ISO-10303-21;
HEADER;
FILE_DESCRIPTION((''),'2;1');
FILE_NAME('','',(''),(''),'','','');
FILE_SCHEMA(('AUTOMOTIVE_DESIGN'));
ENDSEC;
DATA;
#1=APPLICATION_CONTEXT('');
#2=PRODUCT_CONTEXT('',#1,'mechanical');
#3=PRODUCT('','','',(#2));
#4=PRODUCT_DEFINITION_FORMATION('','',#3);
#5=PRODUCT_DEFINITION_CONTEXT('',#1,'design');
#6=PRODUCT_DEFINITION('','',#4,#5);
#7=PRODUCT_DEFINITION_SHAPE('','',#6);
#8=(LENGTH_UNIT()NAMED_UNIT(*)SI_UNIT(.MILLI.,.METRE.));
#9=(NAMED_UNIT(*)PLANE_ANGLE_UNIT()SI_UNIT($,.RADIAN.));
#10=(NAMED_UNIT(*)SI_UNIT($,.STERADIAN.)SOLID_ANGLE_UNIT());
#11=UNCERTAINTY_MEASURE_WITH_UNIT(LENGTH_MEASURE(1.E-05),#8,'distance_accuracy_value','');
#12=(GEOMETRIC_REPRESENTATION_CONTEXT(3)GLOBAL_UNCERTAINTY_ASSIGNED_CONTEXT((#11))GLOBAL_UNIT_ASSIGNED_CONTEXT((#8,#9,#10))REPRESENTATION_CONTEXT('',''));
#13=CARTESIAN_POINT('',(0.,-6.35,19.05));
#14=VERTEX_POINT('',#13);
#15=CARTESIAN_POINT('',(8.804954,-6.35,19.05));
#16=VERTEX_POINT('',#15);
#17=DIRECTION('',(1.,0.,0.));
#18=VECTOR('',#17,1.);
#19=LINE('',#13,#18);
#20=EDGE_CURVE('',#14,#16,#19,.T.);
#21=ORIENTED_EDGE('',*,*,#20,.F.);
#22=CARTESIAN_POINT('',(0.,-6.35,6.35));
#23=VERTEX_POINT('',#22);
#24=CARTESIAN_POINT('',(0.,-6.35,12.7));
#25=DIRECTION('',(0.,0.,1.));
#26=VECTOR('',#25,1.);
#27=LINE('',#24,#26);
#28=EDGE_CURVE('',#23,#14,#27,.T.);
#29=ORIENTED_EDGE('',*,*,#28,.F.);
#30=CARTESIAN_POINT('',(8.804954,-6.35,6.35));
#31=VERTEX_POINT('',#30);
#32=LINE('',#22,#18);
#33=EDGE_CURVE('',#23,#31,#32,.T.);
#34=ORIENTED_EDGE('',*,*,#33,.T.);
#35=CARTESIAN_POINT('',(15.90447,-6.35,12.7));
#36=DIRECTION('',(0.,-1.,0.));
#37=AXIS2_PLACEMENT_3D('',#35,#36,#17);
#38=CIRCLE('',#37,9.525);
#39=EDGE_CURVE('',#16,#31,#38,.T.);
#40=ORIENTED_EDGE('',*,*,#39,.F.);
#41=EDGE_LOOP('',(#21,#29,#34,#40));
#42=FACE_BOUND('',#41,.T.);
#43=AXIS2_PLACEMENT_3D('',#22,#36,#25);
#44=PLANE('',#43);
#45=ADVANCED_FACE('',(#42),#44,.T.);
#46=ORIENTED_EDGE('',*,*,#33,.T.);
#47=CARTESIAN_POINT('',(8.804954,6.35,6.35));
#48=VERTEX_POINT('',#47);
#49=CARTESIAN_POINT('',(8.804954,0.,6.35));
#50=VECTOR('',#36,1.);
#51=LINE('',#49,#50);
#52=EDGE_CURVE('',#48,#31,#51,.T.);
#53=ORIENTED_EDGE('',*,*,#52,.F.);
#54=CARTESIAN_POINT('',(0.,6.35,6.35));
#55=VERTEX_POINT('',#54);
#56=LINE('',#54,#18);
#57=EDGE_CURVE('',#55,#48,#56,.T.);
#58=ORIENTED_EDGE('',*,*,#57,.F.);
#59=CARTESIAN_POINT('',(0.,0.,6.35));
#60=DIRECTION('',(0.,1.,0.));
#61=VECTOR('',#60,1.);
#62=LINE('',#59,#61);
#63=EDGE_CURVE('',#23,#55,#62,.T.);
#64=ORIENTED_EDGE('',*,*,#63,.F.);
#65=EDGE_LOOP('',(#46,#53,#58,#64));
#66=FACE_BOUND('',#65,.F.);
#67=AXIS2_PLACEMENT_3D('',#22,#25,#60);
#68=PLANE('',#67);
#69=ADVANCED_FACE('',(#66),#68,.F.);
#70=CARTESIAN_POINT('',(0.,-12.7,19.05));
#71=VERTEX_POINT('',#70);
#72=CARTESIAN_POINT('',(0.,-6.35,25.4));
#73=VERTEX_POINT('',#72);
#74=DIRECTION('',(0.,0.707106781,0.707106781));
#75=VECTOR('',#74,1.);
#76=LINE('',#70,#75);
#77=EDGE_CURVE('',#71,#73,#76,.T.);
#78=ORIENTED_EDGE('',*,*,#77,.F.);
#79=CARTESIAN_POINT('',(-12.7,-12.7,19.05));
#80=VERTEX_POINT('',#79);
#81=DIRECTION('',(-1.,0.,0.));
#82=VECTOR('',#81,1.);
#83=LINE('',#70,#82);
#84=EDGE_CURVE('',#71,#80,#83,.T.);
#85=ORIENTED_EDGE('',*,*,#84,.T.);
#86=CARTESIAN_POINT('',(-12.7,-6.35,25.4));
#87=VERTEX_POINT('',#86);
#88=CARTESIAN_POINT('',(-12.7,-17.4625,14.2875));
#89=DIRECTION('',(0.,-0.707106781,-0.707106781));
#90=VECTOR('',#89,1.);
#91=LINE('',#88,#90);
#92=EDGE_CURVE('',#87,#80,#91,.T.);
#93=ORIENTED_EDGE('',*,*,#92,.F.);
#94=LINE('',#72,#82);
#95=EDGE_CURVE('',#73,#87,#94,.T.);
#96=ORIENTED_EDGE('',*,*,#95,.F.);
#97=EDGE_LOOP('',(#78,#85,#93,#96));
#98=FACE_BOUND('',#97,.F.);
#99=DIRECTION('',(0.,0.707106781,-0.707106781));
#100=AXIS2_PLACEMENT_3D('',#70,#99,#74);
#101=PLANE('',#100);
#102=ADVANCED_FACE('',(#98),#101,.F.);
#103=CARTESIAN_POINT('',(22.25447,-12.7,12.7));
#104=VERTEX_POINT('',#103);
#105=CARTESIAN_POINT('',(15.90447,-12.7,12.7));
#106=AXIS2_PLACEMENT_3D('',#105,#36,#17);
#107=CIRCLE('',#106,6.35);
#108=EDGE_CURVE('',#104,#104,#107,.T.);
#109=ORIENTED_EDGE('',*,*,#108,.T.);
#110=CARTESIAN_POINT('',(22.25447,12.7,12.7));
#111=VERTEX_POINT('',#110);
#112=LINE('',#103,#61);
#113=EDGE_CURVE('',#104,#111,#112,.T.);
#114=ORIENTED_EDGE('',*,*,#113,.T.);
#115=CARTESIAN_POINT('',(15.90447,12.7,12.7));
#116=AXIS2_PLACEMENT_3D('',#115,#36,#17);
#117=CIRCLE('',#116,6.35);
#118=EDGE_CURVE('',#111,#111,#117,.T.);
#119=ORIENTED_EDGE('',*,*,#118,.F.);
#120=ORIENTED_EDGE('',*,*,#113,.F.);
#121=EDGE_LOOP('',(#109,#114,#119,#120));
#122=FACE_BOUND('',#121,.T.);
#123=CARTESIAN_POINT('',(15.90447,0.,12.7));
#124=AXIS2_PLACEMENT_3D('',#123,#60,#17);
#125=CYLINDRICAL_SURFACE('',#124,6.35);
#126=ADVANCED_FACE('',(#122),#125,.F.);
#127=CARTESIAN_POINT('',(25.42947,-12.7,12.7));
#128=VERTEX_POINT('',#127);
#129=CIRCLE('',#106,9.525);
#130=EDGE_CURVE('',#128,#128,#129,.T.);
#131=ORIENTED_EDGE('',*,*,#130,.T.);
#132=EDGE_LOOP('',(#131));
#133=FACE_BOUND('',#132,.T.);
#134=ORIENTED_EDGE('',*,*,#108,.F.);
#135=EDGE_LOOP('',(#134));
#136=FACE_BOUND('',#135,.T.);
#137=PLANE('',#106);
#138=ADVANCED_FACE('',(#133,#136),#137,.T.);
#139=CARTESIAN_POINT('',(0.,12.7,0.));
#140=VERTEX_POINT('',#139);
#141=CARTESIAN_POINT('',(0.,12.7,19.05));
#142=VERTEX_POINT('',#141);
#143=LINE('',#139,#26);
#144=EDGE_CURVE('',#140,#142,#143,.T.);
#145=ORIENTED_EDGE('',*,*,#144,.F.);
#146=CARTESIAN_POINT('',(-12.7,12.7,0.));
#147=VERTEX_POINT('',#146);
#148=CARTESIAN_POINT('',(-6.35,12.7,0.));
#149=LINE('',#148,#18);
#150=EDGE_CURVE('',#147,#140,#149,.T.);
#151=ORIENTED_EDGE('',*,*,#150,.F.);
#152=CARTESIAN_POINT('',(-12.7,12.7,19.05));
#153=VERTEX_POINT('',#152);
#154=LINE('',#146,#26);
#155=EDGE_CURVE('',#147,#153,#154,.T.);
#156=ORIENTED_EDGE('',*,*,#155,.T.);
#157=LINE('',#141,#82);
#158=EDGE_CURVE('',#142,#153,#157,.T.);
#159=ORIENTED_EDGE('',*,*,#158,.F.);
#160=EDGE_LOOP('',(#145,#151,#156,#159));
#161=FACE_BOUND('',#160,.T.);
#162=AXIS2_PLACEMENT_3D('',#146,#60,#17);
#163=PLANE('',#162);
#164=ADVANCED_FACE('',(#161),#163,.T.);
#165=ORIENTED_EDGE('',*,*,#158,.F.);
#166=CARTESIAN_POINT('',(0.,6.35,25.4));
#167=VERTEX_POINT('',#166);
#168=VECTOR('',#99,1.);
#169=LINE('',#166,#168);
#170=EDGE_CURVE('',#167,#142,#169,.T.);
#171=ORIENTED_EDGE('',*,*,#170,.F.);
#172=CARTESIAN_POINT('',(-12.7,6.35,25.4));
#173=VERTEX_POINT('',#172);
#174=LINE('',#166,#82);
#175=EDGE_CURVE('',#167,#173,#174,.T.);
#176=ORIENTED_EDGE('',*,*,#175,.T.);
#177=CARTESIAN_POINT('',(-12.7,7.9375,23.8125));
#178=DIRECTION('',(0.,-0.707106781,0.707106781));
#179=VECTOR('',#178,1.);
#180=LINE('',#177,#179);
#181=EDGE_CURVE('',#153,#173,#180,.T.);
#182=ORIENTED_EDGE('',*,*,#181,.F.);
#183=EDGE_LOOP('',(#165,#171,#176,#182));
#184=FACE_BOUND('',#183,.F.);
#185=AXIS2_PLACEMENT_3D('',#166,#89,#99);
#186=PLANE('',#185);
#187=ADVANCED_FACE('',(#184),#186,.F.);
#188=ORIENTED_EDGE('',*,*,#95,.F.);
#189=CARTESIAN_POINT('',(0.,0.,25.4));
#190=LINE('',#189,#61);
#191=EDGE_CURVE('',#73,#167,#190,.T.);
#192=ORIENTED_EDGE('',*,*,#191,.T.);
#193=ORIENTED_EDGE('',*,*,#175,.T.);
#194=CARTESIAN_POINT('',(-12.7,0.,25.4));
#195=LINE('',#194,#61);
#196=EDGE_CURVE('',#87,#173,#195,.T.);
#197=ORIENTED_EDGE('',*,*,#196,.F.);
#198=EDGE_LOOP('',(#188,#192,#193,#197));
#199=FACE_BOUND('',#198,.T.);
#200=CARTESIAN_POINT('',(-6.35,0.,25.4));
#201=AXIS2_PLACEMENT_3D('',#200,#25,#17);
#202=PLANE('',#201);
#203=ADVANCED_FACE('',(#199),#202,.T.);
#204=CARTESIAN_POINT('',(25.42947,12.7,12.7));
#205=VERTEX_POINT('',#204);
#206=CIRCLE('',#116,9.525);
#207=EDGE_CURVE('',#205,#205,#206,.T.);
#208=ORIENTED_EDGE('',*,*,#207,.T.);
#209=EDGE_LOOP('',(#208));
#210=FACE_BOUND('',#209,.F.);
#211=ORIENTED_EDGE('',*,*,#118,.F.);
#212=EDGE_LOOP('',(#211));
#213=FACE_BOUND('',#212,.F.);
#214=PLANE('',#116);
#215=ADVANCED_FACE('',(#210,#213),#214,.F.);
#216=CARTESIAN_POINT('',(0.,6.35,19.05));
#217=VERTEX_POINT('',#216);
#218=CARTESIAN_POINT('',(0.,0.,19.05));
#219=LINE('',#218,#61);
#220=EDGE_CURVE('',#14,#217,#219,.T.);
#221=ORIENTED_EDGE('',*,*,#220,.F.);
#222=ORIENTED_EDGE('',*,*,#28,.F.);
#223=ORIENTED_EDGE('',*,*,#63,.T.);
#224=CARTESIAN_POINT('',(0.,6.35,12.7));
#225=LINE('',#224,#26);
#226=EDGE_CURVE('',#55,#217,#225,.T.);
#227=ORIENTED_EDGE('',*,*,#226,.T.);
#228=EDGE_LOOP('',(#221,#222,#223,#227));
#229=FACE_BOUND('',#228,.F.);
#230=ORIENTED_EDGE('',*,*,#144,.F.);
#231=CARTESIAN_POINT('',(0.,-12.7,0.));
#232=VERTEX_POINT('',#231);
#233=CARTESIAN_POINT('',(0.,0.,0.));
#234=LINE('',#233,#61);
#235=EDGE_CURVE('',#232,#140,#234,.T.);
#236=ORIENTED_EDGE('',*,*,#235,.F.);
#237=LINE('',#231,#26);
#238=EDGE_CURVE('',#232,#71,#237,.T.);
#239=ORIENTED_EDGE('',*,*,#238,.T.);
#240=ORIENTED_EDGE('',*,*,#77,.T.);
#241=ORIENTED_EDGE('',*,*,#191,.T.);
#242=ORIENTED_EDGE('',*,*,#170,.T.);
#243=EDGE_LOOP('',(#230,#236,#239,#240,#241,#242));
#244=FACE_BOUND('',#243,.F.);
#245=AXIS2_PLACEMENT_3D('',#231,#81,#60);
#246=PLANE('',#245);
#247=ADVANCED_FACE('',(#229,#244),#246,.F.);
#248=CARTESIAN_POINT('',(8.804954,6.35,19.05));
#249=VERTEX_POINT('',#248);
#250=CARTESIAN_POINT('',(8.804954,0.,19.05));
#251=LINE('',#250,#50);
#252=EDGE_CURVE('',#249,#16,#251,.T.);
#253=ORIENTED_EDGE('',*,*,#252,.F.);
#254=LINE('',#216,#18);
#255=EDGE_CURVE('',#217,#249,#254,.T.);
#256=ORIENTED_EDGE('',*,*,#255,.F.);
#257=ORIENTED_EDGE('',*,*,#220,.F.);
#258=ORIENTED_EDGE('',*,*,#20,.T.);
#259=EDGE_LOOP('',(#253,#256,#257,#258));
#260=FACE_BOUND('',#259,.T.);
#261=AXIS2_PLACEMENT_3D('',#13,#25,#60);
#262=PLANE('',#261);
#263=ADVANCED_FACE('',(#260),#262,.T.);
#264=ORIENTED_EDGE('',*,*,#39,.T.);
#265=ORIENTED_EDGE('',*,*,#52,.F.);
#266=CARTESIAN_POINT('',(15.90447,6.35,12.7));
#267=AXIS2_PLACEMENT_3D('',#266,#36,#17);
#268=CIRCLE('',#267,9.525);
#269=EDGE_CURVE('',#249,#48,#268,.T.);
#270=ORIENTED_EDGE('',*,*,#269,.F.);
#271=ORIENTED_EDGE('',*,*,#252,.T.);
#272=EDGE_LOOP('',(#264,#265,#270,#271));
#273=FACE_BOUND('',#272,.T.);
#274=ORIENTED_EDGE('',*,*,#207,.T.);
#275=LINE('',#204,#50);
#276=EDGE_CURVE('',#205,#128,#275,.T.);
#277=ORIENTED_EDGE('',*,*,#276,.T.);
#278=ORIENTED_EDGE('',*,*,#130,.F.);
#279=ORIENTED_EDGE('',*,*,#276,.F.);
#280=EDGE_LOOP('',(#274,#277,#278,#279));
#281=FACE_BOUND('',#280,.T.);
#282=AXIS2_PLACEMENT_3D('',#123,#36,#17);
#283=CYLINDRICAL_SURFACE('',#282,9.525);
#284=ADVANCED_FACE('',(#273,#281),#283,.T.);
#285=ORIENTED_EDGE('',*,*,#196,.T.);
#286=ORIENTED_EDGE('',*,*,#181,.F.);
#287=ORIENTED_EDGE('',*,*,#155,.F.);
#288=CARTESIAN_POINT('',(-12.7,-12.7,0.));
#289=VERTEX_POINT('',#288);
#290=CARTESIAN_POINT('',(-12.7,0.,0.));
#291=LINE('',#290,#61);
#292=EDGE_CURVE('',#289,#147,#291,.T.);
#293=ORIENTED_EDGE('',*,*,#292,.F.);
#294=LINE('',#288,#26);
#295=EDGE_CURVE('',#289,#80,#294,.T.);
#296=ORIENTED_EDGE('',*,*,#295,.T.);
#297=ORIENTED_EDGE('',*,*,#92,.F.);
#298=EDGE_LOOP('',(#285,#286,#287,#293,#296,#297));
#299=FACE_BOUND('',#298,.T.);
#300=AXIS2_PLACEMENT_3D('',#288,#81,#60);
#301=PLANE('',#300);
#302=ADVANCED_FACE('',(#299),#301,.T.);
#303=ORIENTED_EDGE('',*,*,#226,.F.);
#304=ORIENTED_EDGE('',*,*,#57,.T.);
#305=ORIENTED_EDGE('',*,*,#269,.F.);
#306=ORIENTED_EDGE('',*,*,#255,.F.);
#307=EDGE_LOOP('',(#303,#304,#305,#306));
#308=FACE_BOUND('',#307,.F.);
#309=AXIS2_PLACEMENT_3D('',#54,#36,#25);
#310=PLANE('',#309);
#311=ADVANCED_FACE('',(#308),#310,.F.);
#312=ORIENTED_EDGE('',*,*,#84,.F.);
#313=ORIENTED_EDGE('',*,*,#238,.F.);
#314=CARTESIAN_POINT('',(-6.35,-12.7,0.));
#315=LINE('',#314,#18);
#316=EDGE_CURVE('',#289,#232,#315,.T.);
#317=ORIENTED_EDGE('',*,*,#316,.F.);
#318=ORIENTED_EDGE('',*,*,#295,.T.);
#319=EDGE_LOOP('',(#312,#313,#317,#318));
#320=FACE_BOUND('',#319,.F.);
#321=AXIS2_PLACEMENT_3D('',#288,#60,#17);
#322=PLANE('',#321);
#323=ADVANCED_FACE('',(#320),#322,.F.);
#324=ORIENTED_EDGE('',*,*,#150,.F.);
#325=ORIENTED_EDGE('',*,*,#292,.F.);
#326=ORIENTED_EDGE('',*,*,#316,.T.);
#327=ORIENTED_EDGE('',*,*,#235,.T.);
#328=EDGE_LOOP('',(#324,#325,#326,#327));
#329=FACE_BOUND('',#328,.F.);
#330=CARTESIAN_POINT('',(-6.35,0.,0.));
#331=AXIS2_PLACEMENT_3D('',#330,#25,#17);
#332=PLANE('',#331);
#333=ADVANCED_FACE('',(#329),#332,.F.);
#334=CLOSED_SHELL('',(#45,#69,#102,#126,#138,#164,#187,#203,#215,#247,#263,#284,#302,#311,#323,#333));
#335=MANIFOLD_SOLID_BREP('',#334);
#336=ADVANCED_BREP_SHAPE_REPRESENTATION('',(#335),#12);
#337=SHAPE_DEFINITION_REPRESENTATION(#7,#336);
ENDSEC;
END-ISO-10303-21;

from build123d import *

# Parameters (mm, degrees)
F0_W      = 12.7
F0_H      = 25.4
F1_DEPTH  = 25.4
F3_DEPTH  = 25.4
F5_DEPTH  = 25.4
F6_W      = 12.7
F6_H      = 12.7
F7_DEPTH  = 12.7
F8_R      = 9.525
F8_R_2    = 6.35
F9_DEPTH  = 12.7
F11_DEPTH = 25.4


with BuildPart() as f1:
    # F0 (on Top) → F1 (new body)
    with BuildSketch(Plane.XY):
        with Locations((-6.35, 0)):
            Rectangle(F0_W, F0_H)
    extrude(amount=F1_DEPTH)

    # F2 (on face) → F3 (cut)
    with BuildSketch(Plane.YZ):
        Polygon((-12.7, 19.05), (-6.35, 25.4), (-12.7, 25.4), align=None)
    extrude(amount=-F3_DEPTH, mode=Mode.SUBTRACT)

    # F4 (on face) → F5 (cut)
    with BuildSketch(Plane.YZ):
        Polygon((12.7, 25.4), (6.35, 25.4), (12.7, 19.05), align=None)
    extrude(amount=-F5_DEPTH, mode=Mode.SUBTRACT)

    # F6 (on face) → F7 (join)
    with BuildSketch(Plane.YZ):
        with Locations((0, 12.7)):
            Rectangle(F6_W, F6_H)
    extrude(amount=F7_DEPTH)


with BuildPart() as f9:
    # F8 (on Front) → F9 (new body, symmetric)
    with BuildSketch(Plane.XZ):
        with Locations((15.9044696867, 12.7)):
            Circle(F8_R)
        with Locations((15.9044696867, 12.7)):
            Circle(F8_R_2, mode=Mode.SUBTRACT)
    extrude(amount=F9_DEPTH, both=True)


with BuildPart() as f1_1:
    add(f1.part)

    # F10: union F9
    add(f9.part)

    # F11 (cut): a face of the model
    f11_faces = [f1_1.faces().sort_by_distance(p)[0] for p in [
        (11.4105492836, -6.35, 12.7),
    ]]
    extrude(f11_faces, amount=-F11_DEPTH, mode=Mode.SUBTRACT)


solid = f1_1.part
